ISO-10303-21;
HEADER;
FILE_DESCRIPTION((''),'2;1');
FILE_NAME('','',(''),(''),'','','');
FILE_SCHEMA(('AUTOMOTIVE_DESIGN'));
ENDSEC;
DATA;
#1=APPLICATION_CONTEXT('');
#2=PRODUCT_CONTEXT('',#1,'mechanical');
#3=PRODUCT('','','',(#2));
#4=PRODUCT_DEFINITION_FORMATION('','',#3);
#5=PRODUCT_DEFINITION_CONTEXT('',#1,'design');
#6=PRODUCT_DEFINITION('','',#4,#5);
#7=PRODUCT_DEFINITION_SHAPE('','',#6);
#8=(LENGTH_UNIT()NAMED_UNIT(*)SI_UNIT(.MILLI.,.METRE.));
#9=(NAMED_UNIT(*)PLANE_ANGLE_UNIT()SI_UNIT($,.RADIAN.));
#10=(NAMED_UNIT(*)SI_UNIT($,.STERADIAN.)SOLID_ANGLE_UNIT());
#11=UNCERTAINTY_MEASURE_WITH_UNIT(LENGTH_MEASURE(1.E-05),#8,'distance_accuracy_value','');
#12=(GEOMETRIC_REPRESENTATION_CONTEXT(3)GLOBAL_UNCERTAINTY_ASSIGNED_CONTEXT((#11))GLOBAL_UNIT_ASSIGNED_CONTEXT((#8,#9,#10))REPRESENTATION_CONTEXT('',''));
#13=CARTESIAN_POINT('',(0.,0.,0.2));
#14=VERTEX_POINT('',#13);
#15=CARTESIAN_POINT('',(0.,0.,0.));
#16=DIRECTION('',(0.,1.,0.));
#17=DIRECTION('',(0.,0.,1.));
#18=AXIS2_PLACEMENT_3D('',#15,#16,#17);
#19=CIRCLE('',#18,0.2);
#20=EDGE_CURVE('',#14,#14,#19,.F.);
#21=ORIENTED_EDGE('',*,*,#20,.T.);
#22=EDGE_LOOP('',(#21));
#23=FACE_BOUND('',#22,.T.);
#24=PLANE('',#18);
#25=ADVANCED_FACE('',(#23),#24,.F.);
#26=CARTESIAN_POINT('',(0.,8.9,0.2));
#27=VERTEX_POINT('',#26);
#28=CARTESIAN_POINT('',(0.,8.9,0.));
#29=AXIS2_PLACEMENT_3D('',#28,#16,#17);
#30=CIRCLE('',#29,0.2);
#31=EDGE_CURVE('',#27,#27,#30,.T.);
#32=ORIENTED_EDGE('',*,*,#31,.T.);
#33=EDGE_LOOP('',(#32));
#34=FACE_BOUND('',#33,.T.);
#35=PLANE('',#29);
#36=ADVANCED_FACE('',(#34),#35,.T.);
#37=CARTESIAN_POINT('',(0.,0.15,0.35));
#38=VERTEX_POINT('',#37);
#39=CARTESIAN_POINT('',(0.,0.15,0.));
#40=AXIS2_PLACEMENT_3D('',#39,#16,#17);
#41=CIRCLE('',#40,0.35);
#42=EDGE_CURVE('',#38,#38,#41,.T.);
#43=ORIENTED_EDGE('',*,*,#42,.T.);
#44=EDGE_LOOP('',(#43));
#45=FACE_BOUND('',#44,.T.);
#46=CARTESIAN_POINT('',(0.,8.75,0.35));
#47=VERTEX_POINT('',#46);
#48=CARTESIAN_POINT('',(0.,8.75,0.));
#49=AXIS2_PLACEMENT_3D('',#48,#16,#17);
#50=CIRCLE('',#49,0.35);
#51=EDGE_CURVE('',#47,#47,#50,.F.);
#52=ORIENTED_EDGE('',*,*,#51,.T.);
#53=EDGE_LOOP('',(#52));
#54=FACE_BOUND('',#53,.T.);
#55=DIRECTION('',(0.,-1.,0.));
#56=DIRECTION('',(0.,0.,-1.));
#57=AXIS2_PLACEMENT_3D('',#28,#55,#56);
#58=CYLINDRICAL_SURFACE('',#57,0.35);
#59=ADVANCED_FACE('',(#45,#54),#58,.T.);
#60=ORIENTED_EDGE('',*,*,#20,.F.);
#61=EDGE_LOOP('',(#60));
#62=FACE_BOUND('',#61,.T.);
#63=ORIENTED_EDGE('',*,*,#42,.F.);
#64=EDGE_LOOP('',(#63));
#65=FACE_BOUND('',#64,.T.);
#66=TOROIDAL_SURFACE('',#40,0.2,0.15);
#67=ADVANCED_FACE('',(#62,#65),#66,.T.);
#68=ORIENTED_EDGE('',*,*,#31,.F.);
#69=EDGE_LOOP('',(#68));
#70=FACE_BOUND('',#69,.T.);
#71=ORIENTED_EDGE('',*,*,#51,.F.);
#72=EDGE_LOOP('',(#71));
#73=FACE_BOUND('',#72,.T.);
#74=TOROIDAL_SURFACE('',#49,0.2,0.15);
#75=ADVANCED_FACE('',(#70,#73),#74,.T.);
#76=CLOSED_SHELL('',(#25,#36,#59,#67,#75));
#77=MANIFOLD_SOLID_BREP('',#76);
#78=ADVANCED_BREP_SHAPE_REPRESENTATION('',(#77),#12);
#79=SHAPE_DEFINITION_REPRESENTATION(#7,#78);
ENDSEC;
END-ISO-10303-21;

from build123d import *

# Parameters (mm, degrees)
SKETCH_1_R      = 0.35
EXTRUDE_1_DEPTH = 8.9
FILLET_1_R      = 0.15


with BuildPart() as part:
    # 스케치1 → 보스-돌출1 (new body)
    with BuildSketch(Plane(origin=(0, 0, 0), x_dir=(1, 0, 0), z_dir=(0, 1, 0))):
        with Locations(Location((0, 0, 0), (0, 0, 270))):
            Circle(SKETCH_1_R)
    extrude(amount=EXTRUDE_1_DEPTH)

    # 필렛1
    fillet_1_edges = [part.edges().sort_by_distance(p)[0] for p in [
        (0, 0, -0.35),
        (0, 8.9, -0.35),
    ]]
    fillet(fillet_1_edges, radius=FILLET_1_R)


solid = part.part
